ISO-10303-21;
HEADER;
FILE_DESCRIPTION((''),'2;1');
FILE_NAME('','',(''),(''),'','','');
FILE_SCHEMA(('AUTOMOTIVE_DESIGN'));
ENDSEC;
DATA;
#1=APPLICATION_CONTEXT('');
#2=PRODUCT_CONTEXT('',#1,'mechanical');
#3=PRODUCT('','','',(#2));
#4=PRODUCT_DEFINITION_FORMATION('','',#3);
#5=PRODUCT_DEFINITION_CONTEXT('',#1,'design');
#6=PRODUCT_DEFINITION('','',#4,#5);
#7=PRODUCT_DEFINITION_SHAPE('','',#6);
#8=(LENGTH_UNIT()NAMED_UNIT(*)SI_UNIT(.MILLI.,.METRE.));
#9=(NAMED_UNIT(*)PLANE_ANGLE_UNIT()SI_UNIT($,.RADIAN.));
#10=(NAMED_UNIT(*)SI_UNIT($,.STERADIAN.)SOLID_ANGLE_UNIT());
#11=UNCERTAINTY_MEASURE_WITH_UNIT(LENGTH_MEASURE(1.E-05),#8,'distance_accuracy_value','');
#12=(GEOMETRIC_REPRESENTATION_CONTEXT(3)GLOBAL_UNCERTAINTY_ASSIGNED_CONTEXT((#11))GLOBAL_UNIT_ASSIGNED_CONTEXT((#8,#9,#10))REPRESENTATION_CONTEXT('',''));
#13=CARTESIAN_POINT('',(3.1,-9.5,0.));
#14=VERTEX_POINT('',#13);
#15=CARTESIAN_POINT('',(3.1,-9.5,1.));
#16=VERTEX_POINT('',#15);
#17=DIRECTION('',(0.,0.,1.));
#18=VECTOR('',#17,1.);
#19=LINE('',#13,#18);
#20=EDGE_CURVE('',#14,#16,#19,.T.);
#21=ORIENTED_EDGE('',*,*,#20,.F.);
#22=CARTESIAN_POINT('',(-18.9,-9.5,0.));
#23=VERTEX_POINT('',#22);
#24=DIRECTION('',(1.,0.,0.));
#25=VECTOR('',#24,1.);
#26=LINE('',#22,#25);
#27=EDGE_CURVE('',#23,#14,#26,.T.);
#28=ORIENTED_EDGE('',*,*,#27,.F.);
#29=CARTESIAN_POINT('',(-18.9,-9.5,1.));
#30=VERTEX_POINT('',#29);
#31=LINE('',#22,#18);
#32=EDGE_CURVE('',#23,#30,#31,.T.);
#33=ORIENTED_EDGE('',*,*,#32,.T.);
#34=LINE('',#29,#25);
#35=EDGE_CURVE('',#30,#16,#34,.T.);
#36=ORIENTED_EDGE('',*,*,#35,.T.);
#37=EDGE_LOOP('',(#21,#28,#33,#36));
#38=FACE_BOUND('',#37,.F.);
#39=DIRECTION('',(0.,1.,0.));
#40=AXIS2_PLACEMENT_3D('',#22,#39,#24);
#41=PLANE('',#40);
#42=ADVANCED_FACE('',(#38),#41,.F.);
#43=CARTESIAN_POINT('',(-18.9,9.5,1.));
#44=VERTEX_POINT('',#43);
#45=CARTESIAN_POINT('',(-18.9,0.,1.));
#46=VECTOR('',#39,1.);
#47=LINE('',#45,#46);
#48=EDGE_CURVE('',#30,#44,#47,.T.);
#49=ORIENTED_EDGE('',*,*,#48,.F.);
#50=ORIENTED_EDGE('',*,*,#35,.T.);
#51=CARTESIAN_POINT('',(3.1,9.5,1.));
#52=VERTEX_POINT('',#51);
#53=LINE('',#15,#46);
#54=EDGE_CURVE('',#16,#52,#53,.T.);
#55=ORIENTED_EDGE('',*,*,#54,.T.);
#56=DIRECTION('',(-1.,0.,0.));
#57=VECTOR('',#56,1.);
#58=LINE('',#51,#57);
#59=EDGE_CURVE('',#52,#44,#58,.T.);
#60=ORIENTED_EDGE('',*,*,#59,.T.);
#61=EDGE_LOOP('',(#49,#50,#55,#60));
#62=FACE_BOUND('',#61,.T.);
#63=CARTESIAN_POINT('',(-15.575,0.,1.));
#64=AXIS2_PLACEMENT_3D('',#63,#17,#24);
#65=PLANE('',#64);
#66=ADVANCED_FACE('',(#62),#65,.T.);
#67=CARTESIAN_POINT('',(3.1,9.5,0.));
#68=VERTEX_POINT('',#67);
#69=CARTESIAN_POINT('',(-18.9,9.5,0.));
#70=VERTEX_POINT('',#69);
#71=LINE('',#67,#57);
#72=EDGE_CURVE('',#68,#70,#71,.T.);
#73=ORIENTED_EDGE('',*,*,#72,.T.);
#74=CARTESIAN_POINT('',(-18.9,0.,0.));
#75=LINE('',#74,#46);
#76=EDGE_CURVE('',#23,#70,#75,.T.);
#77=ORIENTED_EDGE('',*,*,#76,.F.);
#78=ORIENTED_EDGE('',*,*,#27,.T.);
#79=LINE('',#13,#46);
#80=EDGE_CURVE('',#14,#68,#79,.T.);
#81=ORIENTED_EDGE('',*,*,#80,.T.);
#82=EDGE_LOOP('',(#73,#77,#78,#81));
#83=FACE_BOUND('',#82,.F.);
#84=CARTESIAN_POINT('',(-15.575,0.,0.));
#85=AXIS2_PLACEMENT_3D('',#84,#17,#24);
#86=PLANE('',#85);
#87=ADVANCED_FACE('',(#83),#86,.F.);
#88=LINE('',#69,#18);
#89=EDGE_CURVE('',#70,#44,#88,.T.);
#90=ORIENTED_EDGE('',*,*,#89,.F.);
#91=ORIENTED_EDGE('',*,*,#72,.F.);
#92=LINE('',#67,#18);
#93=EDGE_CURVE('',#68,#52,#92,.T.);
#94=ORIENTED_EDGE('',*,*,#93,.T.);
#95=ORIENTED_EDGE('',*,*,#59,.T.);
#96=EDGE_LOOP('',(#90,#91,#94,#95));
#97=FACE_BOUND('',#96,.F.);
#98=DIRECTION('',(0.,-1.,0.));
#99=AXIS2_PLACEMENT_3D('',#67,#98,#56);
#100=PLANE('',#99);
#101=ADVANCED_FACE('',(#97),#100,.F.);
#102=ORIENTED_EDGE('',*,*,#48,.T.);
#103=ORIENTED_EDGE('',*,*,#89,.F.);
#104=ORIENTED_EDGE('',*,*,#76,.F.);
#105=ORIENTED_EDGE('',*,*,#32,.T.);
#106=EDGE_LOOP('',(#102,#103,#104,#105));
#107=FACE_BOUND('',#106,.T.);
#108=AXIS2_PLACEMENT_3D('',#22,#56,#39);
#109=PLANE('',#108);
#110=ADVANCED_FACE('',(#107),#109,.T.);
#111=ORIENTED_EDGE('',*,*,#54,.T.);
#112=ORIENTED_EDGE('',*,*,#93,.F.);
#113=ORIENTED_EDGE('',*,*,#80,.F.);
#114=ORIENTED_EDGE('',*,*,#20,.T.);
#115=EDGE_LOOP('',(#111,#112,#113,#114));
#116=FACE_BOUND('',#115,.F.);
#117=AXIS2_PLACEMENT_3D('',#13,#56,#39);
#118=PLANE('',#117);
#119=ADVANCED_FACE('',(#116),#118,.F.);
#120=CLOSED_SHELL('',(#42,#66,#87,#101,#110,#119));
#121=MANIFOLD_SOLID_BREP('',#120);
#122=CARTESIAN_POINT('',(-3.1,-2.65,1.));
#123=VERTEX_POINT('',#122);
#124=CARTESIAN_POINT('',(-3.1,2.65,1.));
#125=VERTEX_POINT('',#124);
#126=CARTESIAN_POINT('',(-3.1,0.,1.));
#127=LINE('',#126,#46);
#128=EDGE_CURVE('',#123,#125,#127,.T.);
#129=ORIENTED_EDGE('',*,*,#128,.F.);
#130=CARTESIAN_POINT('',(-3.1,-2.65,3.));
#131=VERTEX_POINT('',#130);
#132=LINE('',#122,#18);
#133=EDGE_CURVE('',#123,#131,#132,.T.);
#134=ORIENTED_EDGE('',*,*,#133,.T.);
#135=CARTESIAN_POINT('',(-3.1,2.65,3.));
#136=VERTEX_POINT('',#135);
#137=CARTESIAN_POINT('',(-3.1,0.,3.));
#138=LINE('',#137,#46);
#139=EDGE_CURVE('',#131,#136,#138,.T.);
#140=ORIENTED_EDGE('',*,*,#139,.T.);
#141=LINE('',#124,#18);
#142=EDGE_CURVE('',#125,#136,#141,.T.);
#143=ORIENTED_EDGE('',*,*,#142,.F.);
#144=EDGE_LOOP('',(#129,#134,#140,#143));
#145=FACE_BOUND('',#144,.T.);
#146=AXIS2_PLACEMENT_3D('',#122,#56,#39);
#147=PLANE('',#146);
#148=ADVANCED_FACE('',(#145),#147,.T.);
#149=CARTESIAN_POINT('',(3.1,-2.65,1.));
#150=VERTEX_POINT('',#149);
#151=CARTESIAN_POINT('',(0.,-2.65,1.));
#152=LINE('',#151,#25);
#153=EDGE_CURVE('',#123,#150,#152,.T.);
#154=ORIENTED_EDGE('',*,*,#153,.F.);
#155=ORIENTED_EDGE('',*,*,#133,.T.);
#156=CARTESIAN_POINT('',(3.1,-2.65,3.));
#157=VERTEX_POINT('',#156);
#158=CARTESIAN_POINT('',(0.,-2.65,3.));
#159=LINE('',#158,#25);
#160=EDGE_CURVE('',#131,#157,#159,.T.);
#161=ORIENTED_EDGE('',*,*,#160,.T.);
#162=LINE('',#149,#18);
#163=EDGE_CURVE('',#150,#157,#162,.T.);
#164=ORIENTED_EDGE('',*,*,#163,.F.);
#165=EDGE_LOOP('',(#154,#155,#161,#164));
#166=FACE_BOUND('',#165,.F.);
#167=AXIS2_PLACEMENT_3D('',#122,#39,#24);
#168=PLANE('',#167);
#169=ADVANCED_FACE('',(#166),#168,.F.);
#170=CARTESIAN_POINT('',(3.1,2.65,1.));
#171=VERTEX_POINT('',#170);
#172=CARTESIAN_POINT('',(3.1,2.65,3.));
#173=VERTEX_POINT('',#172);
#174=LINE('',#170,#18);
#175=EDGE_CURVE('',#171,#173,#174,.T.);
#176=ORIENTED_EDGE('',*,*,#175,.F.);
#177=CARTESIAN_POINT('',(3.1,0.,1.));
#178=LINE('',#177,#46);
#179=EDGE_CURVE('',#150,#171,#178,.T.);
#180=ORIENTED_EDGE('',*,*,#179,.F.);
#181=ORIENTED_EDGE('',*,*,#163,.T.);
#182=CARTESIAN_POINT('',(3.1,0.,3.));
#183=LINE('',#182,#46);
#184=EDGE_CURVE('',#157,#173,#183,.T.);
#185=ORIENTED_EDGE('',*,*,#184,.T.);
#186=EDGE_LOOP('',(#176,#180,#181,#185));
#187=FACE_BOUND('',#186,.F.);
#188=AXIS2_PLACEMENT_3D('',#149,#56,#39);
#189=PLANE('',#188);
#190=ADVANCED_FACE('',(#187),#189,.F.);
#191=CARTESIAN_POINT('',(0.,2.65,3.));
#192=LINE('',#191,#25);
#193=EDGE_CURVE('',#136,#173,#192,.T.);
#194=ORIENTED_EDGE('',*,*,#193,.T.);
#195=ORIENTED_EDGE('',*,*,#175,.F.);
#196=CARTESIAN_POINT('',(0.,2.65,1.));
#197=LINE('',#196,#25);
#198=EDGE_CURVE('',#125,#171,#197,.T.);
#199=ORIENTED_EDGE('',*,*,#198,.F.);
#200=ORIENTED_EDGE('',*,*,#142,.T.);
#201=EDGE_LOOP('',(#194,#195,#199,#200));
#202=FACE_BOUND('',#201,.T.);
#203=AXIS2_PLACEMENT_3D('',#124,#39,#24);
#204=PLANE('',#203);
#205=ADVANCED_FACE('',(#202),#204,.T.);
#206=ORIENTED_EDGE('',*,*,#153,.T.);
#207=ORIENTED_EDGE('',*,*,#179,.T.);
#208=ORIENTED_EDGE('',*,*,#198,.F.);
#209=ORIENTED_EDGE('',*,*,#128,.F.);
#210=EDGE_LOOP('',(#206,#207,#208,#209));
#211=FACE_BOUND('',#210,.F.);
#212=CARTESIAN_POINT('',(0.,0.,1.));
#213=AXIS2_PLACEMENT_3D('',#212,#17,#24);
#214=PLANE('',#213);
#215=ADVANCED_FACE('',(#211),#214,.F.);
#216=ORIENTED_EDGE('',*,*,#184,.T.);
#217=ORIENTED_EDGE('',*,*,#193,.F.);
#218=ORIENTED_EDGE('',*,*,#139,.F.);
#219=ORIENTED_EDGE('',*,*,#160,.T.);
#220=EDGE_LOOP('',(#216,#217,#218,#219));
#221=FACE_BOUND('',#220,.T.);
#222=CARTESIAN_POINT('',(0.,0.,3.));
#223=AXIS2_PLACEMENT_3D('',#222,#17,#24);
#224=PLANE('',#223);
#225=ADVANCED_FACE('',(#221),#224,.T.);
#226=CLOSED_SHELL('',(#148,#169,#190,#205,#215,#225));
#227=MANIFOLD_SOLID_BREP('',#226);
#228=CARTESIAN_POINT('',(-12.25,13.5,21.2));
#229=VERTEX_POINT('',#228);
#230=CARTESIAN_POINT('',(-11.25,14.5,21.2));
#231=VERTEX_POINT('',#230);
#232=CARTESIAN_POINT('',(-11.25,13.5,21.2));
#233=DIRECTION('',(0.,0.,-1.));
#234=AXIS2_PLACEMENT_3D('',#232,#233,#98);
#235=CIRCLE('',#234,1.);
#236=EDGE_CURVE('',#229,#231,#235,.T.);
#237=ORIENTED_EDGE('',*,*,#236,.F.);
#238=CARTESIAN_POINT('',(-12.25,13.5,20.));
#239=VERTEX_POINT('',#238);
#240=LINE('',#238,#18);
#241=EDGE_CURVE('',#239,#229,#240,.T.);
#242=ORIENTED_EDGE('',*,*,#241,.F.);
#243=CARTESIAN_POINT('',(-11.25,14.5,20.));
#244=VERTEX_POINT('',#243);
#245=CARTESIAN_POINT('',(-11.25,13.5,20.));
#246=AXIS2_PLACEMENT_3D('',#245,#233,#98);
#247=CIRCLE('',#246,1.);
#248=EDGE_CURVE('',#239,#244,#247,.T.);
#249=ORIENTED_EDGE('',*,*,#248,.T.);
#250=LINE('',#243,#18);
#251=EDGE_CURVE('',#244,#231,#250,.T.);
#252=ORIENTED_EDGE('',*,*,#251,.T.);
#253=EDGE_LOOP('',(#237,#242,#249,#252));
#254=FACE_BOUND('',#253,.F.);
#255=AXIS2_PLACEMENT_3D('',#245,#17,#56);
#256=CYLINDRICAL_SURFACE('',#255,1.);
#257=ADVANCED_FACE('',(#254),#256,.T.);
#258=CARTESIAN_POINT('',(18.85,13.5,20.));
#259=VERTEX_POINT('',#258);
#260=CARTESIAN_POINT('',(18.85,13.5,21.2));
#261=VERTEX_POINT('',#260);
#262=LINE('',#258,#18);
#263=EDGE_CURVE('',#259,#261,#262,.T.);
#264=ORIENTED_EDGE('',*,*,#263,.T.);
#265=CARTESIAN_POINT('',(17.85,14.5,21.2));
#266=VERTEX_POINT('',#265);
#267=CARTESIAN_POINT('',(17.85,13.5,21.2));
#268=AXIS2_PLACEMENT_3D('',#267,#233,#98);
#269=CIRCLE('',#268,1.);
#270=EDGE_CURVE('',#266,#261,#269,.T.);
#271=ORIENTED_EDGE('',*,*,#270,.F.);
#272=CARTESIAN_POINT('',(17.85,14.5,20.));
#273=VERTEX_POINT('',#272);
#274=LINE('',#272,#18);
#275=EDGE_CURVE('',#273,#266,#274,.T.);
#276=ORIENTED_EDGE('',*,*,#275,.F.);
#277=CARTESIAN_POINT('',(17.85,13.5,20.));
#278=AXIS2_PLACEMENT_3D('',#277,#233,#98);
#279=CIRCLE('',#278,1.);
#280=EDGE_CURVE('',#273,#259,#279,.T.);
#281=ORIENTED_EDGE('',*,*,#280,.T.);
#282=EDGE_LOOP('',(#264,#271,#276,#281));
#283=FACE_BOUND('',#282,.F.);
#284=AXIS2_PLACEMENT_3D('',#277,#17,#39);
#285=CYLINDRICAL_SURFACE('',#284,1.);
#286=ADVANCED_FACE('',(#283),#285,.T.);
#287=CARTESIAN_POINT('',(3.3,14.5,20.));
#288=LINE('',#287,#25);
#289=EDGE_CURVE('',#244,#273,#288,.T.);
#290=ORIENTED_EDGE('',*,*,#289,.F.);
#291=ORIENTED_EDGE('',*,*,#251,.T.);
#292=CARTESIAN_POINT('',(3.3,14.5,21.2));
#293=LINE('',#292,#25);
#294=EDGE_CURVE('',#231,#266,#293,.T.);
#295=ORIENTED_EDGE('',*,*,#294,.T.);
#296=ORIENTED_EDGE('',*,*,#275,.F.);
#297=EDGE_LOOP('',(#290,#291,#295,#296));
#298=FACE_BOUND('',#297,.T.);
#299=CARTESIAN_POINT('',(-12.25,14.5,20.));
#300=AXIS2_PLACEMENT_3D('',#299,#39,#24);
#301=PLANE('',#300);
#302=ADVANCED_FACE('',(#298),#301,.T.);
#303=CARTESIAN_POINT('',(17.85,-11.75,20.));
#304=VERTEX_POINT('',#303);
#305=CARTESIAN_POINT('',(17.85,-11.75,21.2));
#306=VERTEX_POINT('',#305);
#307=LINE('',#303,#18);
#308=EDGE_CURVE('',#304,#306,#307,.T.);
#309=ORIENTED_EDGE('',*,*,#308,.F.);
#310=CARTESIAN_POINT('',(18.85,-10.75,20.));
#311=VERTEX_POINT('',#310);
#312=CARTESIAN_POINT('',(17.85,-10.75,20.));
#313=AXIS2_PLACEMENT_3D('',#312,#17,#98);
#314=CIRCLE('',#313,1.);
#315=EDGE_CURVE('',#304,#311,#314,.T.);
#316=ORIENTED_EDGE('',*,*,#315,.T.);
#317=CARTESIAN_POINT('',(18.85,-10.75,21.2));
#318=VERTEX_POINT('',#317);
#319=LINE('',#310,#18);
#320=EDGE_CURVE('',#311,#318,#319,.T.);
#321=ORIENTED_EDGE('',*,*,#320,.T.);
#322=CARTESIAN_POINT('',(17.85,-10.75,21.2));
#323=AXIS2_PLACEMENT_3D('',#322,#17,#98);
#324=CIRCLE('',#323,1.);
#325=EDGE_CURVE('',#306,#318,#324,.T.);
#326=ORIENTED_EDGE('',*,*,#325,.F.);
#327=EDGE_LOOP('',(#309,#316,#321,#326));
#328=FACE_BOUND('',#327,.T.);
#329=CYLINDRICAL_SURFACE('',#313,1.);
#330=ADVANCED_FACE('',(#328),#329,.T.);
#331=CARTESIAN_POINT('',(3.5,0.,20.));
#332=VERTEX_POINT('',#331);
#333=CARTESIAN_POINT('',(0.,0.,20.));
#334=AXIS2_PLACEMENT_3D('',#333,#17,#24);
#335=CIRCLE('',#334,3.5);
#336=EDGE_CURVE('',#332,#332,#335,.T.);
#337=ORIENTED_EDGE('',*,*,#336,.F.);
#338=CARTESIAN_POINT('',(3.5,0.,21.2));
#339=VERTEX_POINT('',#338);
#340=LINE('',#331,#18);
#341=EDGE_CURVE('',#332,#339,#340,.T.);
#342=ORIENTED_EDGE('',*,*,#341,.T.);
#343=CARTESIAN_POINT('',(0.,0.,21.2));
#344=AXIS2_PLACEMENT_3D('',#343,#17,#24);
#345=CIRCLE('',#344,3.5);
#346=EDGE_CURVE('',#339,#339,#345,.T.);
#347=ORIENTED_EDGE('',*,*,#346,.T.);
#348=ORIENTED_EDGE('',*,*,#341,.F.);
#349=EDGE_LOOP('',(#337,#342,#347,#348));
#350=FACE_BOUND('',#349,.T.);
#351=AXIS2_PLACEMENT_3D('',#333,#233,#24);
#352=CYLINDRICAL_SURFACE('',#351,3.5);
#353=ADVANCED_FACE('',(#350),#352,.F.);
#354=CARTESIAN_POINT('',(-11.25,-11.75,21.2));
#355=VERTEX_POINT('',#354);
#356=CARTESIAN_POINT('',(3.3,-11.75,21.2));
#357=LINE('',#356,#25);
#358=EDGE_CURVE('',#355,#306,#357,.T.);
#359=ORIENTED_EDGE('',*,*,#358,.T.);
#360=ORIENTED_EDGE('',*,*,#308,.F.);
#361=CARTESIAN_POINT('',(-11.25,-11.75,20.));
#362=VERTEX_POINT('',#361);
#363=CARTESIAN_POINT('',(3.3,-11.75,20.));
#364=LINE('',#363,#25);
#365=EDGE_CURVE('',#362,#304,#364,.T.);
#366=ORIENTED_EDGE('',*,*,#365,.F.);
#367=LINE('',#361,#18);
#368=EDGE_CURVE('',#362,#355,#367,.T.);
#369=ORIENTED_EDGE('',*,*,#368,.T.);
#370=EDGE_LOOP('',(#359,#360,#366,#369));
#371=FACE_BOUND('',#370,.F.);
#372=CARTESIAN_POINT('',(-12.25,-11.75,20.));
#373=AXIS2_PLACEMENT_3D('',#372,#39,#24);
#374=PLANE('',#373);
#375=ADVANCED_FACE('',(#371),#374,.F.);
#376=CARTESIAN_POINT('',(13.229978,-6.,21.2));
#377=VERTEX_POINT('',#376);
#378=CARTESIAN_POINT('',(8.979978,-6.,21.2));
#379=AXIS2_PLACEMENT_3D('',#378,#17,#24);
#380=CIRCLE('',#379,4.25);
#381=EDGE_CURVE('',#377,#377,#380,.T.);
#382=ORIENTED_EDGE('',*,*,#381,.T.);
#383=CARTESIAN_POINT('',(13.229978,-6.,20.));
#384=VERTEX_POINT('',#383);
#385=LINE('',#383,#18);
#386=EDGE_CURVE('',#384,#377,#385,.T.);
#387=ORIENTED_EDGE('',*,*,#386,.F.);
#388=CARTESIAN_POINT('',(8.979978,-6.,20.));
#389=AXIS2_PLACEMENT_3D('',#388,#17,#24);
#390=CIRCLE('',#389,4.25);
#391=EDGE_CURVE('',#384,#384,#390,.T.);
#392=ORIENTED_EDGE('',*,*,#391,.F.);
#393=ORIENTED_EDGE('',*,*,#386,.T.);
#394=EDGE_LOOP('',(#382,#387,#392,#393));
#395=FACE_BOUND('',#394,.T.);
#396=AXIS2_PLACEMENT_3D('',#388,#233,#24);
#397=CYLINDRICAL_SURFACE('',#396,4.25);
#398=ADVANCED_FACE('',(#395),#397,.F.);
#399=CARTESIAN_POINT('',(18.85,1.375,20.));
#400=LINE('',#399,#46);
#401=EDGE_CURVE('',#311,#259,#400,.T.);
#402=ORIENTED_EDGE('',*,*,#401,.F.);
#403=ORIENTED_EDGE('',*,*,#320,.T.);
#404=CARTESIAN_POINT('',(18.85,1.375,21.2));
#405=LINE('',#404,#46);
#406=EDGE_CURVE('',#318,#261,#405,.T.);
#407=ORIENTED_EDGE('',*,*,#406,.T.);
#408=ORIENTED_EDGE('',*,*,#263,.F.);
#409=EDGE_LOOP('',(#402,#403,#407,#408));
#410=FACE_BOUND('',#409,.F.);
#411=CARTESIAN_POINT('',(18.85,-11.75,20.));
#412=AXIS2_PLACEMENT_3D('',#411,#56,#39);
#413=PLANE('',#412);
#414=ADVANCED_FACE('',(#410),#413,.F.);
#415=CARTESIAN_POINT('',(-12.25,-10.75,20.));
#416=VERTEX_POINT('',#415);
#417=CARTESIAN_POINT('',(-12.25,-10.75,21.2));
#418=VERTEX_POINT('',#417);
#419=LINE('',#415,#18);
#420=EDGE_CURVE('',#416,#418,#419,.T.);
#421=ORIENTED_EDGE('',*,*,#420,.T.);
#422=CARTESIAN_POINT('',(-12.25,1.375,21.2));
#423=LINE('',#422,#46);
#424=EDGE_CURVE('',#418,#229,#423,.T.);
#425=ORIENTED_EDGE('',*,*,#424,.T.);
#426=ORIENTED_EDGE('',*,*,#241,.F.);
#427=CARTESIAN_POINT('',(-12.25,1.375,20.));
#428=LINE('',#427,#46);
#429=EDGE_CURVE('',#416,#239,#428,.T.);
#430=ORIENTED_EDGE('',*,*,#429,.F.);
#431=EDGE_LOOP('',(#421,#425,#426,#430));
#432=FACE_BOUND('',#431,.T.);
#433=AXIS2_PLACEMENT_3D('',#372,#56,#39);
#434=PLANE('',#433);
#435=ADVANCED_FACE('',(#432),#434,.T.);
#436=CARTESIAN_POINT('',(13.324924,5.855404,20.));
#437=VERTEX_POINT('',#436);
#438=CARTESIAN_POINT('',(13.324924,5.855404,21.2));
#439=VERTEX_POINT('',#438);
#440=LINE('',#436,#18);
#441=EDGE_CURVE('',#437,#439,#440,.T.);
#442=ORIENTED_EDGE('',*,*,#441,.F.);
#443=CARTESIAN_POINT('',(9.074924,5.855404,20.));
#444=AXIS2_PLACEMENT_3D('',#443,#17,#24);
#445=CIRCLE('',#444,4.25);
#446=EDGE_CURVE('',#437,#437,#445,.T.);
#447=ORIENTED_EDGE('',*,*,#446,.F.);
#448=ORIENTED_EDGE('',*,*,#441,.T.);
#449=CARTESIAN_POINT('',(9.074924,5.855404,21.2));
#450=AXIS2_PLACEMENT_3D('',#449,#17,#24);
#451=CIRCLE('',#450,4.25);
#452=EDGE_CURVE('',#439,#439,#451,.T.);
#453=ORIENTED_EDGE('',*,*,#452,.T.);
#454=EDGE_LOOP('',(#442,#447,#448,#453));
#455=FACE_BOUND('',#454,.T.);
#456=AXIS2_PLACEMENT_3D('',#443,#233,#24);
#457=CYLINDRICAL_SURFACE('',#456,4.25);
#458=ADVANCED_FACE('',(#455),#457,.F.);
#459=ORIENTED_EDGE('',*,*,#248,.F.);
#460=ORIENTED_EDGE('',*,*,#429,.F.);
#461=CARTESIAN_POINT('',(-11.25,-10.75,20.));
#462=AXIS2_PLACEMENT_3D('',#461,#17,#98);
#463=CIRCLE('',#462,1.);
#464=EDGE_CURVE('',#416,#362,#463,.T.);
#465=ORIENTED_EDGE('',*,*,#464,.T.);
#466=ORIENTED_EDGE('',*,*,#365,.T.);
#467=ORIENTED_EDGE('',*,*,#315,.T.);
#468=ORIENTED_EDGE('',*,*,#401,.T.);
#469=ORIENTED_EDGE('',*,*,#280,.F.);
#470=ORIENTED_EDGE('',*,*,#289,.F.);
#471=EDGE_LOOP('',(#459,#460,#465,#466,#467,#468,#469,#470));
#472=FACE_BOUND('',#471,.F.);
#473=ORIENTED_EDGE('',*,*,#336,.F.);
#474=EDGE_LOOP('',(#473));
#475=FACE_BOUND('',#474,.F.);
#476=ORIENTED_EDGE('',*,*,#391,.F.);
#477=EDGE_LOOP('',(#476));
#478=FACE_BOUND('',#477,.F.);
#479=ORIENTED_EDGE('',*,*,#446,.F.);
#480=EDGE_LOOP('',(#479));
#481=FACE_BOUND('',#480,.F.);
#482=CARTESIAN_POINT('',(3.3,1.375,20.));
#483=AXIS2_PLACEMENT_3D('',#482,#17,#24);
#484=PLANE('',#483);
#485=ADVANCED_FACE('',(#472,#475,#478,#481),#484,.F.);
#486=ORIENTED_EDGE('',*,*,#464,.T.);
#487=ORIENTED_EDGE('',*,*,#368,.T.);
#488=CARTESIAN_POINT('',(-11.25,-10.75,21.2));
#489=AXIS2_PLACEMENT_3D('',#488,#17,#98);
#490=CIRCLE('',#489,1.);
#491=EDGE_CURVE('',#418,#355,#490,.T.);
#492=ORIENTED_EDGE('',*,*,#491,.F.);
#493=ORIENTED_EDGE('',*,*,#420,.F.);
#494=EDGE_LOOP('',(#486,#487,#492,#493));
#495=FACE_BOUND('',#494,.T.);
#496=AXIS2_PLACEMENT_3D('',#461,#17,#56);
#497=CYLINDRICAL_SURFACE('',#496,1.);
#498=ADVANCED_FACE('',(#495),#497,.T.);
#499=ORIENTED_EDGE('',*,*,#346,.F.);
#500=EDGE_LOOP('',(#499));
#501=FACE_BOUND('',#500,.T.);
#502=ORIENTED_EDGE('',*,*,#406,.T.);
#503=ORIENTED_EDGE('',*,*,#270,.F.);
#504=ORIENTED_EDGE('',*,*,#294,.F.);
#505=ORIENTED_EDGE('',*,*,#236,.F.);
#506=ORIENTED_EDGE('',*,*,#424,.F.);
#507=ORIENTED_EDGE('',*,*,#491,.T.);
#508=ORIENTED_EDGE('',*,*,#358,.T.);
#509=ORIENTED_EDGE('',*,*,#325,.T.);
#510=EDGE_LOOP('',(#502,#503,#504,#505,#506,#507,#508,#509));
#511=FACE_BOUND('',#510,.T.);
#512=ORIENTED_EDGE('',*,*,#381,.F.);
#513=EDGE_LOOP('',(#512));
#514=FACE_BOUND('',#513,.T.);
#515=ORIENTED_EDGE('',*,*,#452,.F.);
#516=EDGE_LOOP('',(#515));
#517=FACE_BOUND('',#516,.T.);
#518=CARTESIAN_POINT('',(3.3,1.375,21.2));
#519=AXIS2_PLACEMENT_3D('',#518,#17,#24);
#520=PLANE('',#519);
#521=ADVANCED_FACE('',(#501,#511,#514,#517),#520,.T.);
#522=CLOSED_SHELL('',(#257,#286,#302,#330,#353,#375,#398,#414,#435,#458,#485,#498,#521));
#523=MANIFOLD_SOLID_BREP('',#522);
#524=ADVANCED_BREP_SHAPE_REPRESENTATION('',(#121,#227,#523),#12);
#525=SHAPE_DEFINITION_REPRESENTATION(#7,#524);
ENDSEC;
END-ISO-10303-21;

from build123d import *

# Parameters (mm, degrees)
F5_W     = 31.1
F5_H     = 26.24999962
F5_R     = 3.5
F5_R_2   = 4.25
F6_DEPTH = 1.2
F7_R     = 1
F1_W     = 6.65
F1_H     = 19
F1_W_2   = 6.2
F1_H_2   = 5.3
F8_DEPTH = 1
F9_START = 1
F9_DEPTH = 2


with BuildPart() as f6:
    # F5 (on offset) → F6 (new body)
    with BuildSketch(Plane.XY.offset(20)):
        with Locations((3.3, 1.37499981)):
            Rectangle(F5_W, F5_H)
        Circle(F5_R, mode=Mode.SUBTRACT)
        with Locations((8.9799777283, -6)):
            Circle(F5_R_2, mode=Mode.SUBTRACT)
        with Locations((9.074924206, 5.8554035433)):
            Circle(F5_R_2, mode=Mode.SUBTRACT)
    extrude(amount=F6_DEPTH)

    # F7
    f7_edges = [f6.edges().sort_by_distance(p)[0] for p in [
        (-12.25, 14.5, 20.6),
        (-12.25, -11.75, 20.6),
        (18.85, 14.5, 20.6),
        (18.85, -11.75, 20.6),
    ]]
    fillet(f7_edges, radius=F7_R)


with BuildPart() as f8:
    # F1 (on Top) → F8 (new body)
    with BuildSketch(Plane.XY):
        with Locations((-15.575, 0)):
            Rectangle(F1_W, F1_H)
        Rectangle(F1_W_2, F1_H_2)
        Polygon((3.1, -9.5), (3.1, -2.65), (-3.1, -2.65), (-3.1, 2.65), (3.1, 2.65), (3.1, 9.5), (-12.25, 9.5), (-12.25, -9.5), align=None)
    extrude(amount=F8_DEPTH)


with BuildPart() as f9:
    # F1 (on Top) → F9 (new body)
    with BuildSketch(Plane.XY.offset(F9_START)):
        Rectangle(F1_W_2, F1_H_2)
    extrude(amount=F9_DEPTH)


solid = Compound([f6.part, f8.part, f9.part])
